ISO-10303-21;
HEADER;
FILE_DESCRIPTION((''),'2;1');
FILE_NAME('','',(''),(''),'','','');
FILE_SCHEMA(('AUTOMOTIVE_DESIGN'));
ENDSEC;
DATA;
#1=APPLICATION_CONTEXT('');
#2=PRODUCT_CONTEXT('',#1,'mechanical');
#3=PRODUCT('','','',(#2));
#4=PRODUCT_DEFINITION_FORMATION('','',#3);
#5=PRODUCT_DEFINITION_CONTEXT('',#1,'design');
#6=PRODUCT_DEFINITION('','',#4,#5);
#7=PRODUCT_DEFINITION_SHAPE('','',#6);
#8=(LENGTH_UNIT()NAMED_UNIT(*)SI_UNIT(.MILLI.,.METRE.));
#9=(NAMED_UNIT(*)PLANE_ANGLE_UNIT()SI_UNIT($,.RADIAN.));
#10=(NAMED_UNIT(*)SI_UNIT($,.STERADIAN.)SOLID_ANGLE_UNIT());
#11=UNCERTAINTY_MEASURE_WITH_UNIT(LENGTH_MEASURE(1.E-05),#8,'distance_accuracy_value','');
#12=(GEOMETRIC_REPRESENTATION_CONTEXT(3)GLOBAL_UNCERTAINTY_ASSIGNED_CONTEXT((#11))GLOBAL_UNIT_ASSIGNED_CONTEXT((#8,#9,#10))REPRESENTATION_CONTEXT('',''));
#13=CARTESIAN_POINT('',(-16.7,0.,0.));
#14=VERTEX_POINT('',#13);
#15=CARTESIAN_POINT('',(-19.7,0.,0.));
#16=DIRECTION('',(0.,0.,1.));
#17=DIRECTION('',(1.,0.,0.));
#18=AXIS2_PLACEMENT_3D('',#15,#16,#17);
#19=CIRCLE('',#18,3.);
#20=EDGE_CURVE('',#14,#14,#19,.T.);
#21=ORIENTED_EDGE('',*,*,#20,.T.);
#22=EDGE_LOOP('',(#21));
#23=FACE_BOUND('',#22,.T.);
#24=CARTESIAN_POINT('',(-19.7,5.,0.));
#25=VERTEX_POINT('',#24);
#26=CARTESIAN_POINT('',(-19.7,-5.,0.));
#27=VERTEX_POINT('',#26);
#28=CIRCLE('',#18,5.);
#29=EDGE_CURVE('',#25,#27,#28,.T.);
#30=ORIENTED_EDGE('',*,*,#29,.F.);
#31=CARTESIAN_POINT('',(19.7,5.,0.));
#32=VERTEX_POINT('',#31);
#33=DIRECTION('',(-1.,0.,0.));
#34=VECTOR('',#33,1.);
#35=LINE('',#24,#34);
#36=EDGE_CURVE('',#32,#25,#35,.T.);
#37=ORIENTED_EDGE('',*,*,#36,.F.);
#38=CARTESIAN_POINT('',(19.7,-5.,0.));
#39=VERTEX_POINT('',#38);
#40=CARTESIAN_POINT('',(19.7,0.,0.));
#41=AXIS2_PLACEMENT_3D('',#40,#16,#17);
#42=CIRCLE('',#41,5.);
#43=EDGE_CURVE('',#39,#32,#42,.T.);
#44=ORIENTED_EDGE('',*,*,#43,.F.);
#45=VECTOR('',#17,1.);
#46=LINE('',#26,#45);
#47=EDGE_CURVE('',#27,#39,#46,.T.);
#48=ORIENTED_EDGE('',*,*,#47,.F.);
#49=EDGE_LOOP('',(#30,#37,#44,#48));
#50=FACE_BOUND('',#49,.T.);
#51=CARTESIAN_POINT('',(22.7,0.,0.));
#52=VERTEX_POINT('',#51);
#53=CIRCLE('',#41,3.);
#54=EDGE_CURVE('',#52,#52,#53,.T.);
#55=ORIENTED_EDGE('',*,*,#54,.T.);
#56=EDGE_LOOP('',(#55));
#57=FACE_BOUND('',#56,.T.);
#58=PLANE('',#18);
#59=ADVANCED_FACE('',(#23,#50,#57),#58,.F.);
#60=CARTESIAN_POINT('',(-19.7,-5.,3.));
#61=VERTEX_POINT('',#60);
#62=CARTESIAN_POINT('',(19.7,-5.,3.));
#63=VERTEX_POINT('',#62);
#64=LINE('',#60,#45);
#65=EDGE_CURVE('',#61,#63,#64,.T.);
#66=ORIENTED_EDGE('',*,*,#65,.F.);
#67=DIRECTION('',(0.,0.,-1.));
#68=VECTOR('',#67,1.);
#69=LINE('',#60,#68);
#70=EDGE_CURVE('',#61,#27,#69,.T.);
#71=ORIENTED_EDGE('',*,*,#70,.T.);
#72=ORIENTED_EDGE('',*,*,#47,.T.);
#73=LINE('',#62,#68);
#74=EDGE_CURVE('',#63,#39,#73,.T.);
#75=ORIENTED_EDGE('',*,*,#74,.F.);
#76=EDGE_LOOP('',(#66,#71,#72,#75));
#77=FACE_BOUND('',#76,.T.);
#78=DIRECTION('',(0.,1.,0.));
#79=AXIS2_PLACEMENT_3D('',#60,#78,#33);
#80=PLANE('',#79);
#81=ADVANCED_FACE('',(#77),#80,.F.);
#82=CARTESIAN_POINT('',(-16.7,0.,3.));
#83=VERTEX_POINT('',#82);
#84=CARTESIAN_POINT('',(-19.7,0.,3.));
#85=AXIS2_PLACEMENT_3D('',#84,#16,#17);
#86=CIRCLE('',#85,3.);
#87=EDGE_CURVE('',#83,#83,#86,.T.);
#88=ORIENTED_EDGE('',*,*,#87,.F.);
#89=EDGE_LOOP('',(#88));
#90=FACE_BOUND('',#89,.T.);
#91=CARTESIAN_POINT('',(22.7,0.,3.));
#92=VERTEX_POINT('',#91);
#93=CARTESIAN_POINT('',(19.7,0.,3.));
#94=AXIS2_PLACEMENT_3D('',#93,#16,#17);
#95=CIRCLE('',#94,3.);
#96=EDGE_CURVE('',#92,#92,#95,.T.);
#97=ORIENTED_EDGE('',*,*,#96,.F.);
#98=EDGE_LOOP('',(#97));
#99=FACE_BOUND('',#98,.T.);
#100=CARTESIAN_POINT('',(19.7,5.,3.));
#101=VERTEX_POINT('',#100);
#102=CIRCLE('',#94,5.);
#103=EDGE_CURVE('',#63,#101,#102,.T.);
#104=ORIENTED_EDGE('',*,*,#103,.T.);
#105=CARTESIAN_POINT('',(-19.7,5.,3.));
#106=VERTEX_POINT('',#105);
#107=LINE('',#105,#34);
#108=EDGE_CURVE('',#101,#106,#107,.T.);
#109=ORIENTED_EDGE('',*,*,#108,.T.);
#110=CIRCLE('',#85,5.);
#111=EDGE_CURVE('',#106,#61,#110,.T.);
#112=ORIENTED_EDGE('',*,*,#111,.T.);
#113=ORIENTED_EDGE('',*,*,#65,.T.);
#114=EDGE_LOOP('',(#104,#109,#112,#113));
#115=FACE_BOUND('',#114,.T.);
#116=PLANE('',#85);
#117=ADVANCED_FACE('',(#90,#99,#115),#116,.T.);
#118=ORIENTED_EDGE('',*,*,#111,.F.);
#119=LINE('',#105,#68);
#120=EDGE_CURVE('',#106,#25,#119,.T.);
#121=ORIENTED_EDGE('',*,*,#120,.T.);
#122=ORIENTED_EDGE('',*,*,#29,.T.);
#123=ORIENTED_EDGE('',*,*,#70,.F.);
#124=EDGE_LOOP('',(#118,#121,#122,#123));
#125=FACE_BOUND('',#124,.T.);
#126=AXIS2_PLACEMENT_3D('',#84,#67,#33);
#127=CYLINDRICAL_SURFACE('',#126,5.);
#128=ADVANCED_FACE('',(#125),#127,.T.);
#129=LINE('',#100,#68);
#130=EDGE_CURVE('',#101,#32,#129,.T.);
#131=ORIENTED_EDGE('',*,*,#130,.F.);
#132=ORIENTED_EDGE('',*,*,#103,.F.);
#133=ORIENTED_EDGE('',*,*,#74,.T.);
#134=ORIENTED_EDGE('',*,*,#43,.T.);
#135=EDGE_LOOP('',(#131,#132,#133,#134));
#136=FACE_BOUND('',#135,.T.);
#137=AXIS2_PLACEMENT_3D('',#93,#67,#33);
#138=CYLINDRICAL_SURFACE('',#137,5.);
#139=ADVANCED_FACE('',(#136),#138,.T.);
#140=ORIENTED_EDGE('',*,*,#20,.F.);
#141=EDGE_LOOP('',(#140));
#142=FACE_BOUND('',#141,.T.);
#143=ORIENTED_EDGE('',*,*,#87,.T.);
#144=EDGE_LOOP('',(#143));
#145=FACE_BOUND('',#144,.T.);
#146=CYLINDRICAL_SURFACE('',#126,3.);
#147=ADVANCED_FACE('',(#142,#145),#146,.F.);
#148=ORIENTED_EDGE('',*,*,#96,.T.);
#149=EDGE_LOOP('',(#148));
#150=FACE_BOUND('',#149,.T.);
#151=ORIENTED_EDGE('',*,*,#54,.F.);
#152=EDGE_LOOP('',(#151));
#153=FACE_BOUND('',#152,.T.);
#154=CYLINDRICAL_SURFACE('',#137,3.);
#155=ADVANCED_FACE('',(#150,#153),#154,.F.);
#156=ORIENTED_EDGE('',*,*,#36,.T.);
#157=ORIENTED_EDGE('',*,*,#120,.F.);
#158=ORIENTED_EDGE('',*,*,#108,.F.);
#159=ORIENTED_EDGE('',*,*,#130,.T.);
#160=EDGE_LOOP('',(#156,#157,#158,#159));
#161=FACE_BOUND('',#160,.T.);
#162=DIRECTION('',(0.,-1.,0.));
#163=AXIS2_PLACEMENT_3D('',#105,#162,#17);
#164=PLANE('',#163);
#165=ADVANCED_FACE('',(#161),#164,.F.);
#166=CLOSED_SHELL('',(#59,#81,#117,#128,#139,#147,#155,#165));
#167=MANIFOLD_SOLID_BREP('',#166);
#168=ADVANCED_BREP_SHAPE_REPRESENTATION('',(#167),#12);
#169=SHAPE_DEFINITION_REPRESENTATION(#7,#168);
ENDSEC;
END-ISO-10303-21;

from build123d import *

# Parameters (mm, degrees)
SKETCH_1_R      = 3
EXTRUDE_1_DEPTH = 3


with BuildPart() as part:
    # ｽｹｯﾁ1 → ﾎﾞｽ - 押し出し1 (new body)
    with BuildSketch(Plane.XY):
        with BuildLine():
            Line((-19.7, 5), (19.7, 5))
            ThreePointArc((19.7, 5), (24.7, 0), (19.7, -5))
            Line((19.7, -5), (-19.7, -5))
            ThreePointArc((-19.7, -5), (-24.7, 0), (-19.7, 5))
        make_face()
        with Locations((-19.7, 0)):
            Circle(SKETCH_1_R, mode=Mode.SUBTRACT)
        with Locations((19.7, 0)):
            Circle(SKETCH_1_R, mode=Mode.SUBTRACT)
    extrude(amount=EXTRUDE_1_DEPTH)


solid = part.part
